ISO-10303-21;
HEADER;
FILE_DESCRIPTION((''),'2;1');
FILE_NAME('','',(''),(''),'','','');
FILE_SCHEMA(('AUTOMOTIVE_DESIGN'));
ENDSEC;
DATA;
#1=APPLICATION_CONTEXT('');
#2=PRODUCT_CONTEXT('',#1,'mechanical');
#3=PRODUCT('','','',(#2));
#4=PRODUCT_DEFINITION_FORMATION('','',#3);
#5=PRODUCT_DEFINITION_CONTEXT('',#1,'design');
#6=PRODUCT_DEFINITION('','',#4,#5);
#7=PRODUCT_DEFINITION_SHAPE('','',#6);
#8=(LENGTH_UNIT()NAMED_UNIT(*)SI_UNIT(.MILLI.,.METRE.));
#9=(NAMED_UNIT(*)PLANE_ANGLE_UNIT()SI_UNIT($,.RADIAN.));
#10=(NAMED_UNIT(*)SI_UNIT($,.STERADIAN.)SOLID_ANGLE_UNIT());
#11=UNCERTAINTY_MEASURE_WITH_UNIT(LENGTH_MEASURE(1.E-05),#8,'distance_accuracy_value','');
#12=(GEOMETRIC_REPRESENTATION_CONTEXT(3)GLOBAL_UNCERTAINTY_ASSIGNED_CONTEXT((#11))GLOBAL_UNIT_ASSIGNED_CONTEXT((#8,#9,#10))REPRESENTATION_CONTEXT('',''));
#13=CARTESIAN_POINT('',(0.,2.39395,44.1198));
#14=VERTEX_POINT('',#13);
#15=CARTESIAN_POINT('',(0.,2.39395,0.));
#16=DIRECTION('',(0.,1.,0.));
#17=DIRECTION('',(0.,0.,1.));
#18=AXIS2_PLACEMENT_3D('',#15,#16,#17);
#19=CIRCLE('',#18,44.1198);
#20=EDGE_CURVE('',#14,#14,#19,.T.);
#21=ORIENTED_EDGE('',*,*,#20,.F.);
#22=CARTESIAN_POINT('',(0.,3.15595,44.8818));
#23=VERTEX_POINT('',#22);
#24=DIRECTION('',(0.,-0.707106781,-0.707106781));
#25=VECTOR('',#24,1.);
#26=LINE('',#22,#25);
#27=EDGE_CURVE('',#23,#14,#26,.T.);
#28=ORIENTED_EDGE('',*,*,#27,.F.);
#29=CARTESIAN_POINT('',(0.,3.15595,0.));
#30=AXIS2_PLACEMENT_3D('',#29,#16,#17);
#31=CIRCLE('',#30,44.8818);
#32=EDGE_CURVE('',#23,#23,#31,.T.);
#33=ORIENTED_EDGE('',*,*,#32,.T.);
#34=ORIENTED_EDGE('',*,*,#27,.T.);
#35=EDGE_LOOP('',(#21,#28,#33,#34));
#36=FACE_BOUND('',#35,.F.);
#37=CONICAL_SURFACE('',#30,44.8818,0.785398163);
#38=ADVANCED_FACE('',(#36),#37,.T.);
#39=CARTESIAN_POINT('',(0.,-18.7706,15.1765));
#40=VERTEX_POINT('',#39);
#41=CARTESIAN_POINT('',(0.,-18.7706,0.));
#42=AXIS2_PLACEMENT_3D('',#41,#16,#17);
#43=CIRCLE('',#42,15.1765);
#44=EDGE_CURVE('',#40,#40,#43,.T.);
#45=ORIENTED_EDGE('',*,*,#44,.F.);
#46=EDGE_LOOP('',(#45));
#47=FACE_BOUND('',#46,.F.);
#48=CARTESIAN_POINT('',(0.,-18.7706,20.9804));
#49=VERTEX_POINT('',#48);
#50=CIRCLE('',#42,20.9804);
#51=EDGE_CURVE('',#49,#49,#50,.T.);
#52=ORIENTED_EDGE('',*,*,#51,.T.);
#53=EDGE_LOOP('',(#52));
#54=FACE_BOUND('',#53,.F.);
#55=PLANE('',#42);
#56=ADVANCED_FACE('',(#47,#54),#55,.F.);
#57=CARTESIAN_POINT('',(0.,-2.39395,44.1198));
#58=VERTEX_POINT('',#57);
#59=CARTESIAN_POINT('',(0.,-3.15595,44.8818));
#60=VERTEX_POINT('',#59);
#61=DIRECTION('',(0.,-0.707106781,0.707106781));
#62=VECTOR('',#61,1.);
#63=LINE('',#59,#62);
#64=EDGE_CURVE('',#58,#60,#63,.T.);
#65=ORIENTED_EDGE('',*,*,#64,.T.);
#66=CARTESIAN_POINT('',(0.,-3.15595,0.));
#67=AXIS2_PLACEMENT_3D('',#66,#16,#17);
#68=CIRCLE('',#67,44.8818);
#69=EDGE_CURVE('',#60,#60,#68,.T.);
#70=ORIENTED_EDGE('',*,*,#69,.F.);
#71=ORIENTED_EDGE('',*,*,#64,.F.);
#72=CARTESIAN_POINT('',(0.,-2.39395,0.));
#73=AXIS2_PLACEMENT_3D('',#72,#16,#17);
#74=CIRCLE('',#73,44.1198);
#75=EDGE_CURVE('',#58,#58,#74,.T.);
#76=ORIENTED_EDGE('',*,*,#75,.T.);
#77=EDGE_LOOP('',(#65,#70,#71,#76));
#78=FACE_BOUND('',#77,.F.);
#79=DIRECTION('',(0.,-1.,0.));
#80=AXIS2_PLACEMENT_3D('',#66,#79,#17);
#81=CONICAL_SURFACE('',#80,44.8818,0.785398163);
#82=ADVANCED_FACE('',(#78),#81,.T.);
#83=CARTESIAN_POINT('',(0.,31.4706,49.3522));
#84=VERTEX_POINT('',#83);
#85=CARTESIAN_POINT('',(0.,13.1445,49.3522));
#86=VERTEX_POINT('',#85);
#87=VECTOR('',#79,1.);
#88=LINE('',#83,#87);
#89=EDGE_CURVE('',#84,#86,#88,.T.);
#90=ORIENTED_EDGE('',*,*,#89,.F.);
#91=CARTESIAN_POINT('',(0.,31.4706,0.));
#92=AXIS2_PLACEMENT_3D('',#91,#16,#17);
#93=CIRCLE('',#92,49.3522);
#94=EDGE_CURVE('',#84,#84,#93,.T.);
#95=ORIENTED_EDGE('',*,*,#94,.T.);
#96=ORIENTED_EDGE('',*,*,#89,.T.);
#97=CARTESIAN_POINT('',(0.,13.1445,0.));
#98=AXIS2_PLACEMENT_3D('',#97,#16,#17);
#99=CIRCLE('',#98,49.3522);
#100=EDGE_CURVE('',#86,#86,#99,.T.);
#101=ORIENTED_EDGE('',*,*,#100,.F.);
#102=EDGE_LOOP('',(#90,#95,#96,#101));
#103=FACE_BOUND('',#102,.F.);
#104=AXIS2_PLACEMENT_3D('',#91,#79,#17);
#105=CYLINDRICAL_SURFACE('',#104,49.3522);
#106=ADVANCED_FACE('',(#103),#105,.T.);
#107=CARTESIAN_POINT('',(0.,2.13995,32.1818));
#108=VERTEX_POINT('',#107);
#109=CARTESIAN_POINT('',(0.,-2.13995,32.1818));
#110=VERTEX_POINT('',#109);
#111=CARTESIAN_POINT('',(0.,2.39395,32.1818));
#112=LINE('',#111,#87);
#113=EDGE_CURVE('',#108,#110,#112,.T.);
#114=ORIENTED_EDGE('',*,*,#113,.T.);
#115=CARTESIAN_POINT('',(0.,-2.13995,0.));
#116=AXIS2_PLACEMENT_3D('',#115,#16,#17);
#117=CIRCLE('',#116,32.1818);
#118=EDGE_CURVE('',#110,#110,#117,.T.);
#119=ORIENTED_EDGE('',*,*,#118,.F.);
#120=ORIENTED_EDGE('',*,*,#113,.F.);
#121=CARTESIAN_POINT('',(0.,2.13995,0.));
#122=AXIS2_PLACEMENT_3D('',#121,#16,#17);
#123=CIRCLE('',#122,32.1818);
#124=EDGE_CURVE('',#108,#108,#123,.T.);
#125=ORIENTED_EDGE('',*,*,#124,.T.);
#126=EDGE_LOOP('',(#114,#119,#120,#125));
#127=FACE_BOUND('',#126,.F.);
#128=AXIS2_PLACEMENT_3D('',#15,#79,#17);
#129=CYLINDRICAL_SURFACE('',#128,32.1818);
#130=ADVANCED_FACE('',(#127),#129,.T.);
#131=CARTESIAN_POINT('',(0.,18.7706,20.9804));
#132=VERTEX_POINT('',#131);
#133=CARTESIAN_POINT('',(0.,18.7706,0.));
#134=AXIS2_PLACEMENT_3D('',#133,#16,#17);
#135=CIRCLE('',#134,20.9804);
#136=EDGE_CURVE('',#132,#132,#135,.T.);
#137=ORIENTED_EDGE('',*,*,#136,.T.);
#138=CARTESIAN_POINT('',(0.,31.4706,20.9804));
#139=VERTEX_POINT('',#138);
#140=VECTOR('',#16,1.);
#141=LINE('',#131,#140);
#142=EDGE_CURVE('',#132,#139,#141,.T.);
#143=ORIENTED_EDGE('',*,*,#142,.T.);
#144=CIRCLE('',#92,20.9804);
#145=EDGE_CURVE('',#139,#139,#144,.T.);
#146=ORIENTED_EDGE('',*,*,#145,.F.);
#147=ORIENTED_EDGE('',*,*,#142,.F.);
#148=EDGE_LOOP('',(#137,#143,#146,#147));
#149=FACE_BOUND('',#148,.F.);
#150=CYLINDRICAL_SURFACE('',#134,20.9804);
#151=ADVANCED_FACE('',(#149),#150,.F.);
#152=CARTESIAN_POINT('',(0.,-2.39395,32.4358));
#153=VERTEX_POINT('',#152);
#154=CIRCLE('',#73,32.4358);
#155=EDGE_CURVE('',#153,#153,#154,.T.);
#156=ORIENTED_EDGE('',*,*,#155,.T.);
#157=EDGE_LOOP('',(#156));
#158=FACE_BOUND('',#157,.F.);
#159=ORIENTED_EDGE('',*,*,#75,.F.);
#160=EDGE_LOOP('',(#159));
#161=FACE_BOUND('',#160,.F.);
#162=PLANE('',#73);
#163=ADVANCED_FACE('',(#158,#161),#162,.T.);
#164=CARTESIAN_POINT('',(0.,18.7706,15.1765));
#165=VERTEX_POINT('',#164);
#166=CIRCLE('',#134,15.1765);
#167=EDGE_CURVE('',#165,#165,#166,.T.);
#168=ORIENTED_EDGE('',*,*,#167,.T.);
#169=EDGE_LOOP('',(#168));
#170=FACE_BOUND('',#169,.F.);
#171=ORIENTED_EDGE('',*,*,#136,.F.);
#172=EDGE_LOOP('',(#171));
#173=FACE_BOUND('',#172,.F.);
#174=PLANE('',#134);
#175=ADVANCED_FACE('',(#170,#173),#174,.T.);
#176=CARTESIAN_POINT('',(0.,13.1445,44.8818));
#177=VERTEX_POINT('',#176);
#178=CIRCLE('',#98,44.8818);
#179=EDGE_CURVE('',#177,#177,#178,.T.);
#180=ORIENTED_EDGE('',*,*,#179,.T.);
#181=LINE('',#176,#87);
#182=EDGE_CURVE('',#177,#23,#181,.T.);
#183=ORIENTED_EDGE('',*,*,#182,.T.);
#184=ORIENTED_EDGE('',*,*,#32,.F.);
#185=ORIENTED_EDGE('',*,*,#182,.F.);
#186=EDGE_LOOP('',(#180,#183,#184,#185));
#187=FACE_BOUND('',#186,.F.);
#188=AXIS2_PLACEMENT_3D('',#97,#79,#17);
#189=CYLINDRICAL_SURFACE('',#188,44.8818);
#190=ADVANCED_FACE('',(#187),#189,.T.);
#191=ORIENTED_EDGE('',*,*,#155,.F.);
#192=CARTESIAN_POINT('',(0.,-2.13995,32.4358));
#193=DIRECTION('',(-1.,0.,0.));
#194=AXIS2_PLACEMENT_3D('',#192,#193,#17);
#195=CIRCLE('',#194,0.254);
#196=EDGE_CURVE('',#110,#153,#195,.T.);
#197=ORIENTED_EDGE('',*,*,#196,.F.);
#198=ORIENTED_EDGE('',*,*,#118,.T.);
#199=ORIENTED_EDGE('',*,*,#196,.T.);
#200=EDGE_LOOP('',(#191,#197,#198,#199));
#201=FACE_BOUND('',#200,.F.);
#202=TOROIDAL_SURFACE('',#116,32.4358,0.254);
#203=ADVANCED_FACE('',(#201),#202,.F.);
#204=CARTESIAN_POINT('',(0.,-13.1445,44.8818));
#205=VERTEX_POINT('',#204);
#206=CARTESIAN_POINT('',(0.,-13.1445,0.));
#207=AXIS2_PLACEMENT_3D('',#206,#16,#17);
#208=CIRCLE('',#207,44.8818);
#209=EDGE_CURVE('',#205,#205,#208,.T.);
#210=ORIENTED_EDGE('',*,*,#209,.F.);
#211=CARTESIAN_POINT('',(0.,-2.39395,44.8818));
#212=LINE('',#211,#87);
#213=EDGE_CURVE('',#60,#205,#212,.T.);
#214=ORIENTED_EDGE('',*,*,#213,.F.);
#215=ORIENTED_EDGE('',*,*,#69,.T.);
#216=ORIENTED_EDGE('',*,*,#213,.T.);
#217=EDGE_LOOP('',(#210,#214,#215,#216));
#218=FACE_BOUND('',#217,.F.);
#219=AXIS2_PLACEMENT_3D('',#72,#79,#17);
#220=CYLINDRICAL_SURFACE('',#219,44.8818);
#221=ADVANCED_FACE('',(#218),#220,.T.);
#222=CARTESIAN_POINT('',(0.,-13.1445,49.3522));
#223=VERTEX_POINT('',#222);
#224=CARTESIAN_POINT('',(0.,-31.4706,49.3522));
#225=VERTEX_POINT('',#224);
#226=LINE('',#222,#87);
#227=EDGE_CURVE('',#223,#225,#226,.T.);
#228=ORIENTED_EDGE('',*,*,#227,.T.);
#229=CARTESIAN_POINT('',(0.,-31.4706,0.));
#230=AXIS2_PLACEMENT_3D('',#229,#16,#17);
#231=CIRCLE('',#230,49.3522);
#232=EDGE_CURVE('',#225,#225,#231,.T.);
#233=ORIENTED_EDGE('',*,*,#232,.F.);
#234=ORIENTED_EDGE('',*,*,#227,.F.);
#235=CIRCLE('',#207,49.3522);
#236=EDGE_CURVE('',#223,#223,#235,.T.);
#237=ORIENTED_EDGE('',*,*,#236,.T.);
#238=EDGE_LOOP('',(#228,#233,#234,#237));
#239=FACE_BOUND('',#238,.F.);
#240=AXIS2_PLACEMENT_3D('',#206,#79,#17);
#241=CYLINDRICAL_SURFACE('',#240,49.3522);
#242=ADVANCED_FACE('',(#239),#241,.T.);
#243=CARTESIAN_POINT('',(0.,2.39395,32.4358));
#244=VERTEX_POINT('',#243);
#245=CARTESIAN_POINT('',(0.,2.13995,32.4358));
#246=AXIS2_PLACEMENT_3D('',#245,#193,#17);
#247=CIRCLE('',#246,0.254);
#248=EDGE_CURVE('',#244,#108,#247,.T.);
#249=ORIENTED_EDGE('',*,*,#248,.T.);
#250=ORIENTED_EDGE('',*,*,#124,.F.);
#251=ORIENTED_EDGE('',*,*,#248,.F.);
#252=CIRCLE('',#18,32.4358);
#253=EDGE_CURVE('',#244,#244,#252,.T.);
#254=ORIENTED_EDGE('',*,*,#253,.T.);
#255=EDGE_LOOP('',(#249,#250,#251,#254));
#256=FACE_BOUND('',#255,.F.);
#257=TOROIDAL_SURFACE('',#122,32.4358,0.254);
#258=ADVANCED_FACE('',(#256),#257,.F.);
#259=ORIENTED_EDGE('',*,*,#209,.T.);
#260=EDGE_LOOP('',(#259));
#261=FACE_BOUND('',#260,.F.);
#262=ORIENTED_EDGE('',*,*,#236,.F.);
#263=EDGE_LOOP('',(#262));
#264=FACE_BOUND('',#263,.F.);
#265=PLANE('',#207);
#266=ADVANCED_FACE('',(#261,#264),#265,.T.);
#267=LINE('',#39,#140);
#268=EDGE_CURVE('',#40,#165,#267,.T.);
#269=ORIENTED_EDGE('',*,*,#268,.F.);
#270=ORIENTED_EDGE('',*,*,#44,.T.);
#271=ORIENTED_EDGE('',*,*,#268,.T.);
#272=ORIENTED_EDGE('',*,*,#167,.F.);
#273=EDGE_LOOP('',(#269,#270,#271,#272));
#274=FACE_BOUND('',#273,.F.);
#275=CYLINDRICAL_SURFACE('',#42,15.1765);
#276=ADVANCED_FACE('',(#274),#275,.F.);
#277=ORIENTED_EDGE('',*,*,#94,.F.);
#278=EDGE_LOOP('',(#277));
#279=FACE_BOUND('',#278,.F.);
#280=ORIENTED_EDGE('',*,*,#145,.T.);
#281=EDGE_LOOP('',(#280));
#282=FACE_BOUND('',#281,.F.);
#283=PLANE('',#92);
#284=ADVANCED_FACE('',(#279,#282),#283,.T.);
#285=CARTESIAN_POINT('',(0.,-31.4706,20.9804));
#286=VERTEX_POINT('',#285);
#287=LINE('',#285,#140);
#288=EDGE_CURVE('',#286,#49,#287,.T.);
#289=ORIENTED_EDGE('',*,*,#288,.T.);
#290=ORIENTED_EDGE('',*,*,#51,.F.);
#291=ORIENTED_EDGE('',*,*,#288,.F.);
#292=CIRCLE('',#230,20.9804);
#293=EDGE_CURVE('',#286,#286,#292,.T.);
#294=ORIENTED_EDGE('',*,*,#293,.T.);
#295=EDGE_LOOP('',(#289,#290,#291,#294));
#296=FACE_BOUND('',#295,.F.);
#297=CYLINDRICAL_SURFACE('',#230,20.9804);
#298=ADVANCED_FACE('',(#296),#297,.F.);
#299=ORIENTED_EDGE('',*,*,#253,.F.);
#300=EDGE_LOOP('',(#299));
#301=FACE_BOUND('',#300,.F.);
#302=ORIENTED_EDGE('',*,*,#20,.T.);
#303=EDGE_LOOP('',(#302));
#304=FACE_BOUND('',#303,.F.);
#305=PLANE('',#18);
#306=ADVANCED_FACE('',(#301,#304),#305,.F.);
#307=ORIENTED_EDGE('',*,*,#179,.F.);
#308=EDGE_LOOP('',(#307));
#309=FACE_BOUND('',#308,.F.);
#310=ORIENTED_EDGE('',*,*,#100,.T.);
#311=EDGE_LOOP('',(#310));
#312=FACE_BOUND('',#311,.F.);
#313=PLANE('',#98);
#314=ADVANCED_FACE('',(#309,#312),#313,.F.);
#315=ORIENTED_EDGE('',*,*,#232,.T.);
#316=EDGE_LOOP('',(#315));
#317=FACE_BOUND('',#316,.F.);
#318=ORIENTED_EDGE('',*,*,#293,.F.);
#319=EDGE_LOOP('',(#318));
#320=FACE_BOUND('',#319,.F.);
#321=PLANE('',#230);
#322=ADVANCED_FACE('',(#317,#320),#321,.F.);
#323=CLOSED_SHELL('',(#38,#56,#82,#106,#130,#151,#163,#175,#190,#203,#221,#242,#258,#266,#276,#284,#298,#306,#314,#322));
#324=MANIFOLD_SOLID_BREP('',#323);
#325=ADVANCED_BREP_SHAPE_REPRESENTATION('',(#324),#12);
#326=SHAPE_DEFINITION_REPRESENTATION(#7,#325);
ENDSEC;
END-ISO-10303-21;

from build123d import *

# Parameters (mm, degrees)
F2_SIZE = 0.762
F3_R    = 0.254


with BuildPart() as f1:
    # F0 (on Right) → F1 (revolve)
    with BuildSketch(Plane.YZ):
        Polygon((-18.7706, 15.1765), (0, 15.1765), (18.7706, 15.1765), (18.7706, 20.9804), (31.4706, 20.9804), (31.4706, 49.3522), (13.1445, 49.3522), (13.1445, 44.8818), (2.39395, 44.8818), (2.39395, 32.1818), (-2.39395, 32.1818), (-2.39395, 44.8818), (-13.1445, 44.8818), (-13.1445, 49.3522), (-31.4706, 49.3522), (-31.4706, 20.9804), (-18.7706, 20.9804), align=None)
    revolve(axis=Axis((0, -0.984378, 0), (0, 1, 0)))

    # F2
    f2_edges = [f1.edges().sort_by_distance(p)[0] for p in [
        (0, 2.39395, -44.8818),
        (0, -2.39395, -44.8818),
    ]]
    chamfer(f2_edges, length=F2_SIZE)

    # F3
    f3_edges = [f1.edges().sort_by_distance(p)[0] for p in [
        (0, 2.39395, -32.1818),
        (0, -2.39395, -32.1818),
    ]]
    fillet(f3_edges, radius=F3_R)


solid = f1.part
